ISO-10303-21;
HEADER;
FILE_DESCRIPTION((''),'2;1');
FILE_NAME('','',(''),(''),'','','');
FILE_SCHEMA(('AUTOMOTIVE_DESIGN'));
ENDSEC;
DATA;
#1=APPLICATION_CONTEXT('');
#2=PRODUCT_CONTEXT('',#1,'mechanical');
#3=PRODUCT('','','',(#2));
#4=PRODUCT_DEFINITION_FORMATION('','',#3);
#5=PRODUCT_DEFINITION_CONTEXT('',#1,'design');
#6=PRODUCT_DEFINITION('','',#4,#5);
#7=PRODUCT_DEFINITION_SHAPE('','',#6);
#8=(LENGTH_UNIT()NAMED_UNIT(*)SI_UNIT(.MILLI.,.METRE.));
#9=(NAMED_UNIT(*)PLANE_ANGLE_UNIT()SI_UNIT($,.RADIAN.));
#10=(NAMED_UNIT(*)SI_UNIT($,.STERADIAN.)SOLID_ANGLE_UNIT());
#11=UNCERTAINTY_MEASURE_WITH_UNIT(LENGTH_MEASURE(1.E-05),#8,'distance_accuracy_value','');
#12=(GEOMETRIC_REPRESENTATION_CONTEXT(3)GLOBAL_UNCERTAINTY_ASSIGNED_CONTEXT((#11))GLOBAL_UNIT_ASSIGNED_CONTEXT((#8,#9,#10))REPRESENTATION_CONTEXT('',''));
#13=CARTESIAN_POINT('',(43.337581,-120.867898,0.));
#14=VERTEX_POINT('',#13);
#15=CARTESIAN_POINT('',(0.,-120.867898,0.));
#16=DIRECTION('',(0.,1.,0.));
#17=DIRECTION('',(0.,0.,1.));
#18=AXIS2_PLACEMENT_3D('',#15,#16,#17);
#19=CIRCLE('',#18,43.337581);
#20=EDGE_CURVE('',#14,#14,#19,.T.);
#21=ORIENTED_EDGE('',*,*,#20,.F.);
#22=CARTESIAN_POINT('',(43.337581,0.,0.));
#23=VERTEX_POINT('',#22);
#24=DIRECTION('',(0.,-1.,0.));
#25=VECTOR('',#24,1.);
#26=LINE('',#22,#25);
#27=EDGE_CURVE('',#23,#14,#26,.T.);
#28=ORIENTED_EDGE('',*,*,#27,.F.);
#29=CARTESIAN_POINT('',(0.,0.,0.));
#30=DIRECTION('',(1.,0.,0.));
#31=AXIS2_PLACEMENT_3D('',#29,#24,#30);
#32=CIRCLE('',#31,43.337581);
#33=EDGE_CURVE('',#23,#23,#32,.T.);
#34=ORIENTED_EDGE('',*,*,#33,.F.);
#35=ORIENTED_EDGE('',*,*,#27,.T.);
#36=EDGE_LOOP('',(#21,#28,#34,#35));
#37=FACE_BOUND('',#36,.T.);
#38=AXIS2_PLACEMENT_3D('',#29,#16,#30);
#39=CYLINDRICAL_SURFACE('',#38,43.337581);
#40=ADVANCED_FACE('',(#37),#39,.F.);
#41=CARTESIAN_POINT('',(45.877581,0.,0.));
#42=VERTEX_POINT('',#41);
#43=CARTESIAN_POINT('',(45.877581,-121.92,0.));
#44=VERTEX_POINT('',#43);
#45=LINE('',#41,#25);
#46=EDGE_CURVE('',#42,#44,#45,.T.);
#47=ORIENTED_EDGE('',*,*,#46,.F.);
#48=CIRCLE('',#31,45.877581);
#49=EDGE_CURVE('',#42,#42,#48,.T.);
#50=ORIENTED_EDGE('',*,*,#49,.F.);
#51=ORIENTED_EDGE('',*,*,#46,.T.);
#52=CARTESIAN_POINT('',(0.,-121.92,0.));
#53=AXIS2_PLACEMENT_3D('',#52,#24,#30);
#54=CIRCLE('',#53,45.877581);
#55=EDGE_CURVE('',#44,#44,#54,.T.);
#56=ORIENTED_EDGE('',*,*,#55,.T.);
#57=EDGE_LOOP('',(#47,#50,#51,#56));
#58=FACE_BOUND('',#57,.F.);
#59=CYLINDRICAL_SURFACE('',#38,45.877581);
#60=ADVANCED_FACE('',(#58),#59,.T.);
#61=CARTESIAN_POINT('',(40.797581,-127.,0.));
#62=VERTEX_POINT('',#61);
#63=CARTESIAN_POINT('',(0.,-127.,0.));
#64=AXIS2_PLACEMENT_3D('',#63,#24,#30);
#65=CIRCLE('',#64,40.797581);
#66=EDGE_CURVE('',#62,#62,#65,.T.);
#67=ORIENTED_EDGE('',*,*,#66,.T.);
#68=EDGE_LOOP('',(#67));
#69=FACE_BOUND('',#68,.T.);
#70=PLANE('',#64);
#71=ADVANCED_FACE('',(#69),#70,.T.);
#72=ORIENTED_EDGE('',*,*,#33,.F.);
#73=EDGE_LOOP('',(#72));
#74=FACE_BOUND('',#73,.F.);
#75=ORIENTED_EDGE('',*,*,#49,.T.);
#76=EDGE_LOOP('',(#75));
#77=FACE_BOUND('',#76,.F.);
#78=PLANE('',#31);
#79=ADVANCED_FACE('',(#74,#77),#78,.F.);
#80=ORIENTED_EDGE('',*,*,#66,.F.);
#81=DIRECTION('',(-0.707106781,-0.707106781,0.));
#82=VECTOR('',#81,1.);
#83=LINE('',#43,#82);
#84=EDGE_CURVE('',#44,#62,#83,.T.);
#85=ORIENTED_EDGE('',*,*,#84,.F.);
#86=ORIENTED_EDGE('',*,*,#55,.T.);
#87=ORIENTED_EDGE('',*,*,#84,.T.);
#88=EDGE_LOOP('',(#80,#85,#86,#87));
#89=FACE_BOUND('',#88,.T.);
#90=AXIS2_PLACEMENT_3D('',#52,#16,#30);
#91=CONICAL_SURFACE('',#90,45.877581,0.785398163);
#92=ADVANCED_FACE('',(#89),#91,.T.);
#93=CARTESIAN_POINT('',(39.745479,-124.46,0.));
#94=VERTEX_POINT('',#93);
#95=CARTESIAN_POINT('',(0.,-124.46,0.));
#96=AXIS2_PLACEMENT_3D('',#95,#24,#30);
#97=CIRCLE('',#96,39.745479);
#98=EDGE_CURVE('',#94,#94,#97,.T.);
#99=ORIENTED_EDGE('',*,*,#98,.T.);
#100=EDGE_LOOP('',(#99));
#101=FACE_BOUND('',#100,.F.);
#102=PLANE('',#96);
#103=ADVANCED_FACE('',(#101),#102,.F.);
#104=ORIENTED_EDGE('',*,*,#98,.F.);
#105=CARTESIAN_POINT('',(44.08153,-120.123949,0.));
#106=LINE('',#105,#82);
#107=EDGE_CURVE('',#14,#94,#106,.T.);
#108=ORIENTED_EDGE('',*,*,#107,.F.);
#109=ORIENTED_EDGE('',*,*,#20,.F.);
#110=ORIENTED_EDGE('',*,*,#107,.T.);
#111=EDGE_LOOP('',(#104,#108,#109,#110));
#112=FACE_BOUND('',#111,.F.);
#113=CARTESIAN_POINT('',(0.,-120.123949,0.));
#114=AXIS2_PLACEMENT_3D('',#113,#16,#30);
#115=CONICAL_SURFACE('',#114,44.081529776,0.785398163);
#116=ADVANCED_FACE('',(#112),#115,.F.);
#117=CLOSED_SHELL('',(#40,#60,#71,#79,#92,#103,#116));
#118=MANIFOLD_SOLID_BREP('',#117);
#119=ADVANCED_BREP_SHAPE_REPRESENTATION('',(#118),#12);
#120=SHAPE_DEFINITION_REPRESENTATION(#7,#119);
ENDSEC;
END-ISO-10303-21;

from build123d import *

# Parameters (mm, degrees)
F0_R     = 45.877581
F1_DEPTH = 127
F2_SIZE  = 5.08
F3_T     = -2.54


with BuildPart() as f1:
    # F0 (on Front) → F1 (new body)
    with BuildSketch(Plane.XZ):
        Circle(F0_R)
    extrude(amount=F1_DEPTH)

    # F2
    f2_edges = [f1.edges().sort_by_distance(p)[0] for p in [
        (-45.877581, -127, 0),
    ]]
    chamfer(f2_edges, length=F2_SIZE)

    # F3
    f3_openings = [f1.faces().sort_by_distance(p)[0] for p in [
        (0, 0, 0),
    ]]
    offset(amount=F3_T, openings=f3_openings)


solid = f1.part
